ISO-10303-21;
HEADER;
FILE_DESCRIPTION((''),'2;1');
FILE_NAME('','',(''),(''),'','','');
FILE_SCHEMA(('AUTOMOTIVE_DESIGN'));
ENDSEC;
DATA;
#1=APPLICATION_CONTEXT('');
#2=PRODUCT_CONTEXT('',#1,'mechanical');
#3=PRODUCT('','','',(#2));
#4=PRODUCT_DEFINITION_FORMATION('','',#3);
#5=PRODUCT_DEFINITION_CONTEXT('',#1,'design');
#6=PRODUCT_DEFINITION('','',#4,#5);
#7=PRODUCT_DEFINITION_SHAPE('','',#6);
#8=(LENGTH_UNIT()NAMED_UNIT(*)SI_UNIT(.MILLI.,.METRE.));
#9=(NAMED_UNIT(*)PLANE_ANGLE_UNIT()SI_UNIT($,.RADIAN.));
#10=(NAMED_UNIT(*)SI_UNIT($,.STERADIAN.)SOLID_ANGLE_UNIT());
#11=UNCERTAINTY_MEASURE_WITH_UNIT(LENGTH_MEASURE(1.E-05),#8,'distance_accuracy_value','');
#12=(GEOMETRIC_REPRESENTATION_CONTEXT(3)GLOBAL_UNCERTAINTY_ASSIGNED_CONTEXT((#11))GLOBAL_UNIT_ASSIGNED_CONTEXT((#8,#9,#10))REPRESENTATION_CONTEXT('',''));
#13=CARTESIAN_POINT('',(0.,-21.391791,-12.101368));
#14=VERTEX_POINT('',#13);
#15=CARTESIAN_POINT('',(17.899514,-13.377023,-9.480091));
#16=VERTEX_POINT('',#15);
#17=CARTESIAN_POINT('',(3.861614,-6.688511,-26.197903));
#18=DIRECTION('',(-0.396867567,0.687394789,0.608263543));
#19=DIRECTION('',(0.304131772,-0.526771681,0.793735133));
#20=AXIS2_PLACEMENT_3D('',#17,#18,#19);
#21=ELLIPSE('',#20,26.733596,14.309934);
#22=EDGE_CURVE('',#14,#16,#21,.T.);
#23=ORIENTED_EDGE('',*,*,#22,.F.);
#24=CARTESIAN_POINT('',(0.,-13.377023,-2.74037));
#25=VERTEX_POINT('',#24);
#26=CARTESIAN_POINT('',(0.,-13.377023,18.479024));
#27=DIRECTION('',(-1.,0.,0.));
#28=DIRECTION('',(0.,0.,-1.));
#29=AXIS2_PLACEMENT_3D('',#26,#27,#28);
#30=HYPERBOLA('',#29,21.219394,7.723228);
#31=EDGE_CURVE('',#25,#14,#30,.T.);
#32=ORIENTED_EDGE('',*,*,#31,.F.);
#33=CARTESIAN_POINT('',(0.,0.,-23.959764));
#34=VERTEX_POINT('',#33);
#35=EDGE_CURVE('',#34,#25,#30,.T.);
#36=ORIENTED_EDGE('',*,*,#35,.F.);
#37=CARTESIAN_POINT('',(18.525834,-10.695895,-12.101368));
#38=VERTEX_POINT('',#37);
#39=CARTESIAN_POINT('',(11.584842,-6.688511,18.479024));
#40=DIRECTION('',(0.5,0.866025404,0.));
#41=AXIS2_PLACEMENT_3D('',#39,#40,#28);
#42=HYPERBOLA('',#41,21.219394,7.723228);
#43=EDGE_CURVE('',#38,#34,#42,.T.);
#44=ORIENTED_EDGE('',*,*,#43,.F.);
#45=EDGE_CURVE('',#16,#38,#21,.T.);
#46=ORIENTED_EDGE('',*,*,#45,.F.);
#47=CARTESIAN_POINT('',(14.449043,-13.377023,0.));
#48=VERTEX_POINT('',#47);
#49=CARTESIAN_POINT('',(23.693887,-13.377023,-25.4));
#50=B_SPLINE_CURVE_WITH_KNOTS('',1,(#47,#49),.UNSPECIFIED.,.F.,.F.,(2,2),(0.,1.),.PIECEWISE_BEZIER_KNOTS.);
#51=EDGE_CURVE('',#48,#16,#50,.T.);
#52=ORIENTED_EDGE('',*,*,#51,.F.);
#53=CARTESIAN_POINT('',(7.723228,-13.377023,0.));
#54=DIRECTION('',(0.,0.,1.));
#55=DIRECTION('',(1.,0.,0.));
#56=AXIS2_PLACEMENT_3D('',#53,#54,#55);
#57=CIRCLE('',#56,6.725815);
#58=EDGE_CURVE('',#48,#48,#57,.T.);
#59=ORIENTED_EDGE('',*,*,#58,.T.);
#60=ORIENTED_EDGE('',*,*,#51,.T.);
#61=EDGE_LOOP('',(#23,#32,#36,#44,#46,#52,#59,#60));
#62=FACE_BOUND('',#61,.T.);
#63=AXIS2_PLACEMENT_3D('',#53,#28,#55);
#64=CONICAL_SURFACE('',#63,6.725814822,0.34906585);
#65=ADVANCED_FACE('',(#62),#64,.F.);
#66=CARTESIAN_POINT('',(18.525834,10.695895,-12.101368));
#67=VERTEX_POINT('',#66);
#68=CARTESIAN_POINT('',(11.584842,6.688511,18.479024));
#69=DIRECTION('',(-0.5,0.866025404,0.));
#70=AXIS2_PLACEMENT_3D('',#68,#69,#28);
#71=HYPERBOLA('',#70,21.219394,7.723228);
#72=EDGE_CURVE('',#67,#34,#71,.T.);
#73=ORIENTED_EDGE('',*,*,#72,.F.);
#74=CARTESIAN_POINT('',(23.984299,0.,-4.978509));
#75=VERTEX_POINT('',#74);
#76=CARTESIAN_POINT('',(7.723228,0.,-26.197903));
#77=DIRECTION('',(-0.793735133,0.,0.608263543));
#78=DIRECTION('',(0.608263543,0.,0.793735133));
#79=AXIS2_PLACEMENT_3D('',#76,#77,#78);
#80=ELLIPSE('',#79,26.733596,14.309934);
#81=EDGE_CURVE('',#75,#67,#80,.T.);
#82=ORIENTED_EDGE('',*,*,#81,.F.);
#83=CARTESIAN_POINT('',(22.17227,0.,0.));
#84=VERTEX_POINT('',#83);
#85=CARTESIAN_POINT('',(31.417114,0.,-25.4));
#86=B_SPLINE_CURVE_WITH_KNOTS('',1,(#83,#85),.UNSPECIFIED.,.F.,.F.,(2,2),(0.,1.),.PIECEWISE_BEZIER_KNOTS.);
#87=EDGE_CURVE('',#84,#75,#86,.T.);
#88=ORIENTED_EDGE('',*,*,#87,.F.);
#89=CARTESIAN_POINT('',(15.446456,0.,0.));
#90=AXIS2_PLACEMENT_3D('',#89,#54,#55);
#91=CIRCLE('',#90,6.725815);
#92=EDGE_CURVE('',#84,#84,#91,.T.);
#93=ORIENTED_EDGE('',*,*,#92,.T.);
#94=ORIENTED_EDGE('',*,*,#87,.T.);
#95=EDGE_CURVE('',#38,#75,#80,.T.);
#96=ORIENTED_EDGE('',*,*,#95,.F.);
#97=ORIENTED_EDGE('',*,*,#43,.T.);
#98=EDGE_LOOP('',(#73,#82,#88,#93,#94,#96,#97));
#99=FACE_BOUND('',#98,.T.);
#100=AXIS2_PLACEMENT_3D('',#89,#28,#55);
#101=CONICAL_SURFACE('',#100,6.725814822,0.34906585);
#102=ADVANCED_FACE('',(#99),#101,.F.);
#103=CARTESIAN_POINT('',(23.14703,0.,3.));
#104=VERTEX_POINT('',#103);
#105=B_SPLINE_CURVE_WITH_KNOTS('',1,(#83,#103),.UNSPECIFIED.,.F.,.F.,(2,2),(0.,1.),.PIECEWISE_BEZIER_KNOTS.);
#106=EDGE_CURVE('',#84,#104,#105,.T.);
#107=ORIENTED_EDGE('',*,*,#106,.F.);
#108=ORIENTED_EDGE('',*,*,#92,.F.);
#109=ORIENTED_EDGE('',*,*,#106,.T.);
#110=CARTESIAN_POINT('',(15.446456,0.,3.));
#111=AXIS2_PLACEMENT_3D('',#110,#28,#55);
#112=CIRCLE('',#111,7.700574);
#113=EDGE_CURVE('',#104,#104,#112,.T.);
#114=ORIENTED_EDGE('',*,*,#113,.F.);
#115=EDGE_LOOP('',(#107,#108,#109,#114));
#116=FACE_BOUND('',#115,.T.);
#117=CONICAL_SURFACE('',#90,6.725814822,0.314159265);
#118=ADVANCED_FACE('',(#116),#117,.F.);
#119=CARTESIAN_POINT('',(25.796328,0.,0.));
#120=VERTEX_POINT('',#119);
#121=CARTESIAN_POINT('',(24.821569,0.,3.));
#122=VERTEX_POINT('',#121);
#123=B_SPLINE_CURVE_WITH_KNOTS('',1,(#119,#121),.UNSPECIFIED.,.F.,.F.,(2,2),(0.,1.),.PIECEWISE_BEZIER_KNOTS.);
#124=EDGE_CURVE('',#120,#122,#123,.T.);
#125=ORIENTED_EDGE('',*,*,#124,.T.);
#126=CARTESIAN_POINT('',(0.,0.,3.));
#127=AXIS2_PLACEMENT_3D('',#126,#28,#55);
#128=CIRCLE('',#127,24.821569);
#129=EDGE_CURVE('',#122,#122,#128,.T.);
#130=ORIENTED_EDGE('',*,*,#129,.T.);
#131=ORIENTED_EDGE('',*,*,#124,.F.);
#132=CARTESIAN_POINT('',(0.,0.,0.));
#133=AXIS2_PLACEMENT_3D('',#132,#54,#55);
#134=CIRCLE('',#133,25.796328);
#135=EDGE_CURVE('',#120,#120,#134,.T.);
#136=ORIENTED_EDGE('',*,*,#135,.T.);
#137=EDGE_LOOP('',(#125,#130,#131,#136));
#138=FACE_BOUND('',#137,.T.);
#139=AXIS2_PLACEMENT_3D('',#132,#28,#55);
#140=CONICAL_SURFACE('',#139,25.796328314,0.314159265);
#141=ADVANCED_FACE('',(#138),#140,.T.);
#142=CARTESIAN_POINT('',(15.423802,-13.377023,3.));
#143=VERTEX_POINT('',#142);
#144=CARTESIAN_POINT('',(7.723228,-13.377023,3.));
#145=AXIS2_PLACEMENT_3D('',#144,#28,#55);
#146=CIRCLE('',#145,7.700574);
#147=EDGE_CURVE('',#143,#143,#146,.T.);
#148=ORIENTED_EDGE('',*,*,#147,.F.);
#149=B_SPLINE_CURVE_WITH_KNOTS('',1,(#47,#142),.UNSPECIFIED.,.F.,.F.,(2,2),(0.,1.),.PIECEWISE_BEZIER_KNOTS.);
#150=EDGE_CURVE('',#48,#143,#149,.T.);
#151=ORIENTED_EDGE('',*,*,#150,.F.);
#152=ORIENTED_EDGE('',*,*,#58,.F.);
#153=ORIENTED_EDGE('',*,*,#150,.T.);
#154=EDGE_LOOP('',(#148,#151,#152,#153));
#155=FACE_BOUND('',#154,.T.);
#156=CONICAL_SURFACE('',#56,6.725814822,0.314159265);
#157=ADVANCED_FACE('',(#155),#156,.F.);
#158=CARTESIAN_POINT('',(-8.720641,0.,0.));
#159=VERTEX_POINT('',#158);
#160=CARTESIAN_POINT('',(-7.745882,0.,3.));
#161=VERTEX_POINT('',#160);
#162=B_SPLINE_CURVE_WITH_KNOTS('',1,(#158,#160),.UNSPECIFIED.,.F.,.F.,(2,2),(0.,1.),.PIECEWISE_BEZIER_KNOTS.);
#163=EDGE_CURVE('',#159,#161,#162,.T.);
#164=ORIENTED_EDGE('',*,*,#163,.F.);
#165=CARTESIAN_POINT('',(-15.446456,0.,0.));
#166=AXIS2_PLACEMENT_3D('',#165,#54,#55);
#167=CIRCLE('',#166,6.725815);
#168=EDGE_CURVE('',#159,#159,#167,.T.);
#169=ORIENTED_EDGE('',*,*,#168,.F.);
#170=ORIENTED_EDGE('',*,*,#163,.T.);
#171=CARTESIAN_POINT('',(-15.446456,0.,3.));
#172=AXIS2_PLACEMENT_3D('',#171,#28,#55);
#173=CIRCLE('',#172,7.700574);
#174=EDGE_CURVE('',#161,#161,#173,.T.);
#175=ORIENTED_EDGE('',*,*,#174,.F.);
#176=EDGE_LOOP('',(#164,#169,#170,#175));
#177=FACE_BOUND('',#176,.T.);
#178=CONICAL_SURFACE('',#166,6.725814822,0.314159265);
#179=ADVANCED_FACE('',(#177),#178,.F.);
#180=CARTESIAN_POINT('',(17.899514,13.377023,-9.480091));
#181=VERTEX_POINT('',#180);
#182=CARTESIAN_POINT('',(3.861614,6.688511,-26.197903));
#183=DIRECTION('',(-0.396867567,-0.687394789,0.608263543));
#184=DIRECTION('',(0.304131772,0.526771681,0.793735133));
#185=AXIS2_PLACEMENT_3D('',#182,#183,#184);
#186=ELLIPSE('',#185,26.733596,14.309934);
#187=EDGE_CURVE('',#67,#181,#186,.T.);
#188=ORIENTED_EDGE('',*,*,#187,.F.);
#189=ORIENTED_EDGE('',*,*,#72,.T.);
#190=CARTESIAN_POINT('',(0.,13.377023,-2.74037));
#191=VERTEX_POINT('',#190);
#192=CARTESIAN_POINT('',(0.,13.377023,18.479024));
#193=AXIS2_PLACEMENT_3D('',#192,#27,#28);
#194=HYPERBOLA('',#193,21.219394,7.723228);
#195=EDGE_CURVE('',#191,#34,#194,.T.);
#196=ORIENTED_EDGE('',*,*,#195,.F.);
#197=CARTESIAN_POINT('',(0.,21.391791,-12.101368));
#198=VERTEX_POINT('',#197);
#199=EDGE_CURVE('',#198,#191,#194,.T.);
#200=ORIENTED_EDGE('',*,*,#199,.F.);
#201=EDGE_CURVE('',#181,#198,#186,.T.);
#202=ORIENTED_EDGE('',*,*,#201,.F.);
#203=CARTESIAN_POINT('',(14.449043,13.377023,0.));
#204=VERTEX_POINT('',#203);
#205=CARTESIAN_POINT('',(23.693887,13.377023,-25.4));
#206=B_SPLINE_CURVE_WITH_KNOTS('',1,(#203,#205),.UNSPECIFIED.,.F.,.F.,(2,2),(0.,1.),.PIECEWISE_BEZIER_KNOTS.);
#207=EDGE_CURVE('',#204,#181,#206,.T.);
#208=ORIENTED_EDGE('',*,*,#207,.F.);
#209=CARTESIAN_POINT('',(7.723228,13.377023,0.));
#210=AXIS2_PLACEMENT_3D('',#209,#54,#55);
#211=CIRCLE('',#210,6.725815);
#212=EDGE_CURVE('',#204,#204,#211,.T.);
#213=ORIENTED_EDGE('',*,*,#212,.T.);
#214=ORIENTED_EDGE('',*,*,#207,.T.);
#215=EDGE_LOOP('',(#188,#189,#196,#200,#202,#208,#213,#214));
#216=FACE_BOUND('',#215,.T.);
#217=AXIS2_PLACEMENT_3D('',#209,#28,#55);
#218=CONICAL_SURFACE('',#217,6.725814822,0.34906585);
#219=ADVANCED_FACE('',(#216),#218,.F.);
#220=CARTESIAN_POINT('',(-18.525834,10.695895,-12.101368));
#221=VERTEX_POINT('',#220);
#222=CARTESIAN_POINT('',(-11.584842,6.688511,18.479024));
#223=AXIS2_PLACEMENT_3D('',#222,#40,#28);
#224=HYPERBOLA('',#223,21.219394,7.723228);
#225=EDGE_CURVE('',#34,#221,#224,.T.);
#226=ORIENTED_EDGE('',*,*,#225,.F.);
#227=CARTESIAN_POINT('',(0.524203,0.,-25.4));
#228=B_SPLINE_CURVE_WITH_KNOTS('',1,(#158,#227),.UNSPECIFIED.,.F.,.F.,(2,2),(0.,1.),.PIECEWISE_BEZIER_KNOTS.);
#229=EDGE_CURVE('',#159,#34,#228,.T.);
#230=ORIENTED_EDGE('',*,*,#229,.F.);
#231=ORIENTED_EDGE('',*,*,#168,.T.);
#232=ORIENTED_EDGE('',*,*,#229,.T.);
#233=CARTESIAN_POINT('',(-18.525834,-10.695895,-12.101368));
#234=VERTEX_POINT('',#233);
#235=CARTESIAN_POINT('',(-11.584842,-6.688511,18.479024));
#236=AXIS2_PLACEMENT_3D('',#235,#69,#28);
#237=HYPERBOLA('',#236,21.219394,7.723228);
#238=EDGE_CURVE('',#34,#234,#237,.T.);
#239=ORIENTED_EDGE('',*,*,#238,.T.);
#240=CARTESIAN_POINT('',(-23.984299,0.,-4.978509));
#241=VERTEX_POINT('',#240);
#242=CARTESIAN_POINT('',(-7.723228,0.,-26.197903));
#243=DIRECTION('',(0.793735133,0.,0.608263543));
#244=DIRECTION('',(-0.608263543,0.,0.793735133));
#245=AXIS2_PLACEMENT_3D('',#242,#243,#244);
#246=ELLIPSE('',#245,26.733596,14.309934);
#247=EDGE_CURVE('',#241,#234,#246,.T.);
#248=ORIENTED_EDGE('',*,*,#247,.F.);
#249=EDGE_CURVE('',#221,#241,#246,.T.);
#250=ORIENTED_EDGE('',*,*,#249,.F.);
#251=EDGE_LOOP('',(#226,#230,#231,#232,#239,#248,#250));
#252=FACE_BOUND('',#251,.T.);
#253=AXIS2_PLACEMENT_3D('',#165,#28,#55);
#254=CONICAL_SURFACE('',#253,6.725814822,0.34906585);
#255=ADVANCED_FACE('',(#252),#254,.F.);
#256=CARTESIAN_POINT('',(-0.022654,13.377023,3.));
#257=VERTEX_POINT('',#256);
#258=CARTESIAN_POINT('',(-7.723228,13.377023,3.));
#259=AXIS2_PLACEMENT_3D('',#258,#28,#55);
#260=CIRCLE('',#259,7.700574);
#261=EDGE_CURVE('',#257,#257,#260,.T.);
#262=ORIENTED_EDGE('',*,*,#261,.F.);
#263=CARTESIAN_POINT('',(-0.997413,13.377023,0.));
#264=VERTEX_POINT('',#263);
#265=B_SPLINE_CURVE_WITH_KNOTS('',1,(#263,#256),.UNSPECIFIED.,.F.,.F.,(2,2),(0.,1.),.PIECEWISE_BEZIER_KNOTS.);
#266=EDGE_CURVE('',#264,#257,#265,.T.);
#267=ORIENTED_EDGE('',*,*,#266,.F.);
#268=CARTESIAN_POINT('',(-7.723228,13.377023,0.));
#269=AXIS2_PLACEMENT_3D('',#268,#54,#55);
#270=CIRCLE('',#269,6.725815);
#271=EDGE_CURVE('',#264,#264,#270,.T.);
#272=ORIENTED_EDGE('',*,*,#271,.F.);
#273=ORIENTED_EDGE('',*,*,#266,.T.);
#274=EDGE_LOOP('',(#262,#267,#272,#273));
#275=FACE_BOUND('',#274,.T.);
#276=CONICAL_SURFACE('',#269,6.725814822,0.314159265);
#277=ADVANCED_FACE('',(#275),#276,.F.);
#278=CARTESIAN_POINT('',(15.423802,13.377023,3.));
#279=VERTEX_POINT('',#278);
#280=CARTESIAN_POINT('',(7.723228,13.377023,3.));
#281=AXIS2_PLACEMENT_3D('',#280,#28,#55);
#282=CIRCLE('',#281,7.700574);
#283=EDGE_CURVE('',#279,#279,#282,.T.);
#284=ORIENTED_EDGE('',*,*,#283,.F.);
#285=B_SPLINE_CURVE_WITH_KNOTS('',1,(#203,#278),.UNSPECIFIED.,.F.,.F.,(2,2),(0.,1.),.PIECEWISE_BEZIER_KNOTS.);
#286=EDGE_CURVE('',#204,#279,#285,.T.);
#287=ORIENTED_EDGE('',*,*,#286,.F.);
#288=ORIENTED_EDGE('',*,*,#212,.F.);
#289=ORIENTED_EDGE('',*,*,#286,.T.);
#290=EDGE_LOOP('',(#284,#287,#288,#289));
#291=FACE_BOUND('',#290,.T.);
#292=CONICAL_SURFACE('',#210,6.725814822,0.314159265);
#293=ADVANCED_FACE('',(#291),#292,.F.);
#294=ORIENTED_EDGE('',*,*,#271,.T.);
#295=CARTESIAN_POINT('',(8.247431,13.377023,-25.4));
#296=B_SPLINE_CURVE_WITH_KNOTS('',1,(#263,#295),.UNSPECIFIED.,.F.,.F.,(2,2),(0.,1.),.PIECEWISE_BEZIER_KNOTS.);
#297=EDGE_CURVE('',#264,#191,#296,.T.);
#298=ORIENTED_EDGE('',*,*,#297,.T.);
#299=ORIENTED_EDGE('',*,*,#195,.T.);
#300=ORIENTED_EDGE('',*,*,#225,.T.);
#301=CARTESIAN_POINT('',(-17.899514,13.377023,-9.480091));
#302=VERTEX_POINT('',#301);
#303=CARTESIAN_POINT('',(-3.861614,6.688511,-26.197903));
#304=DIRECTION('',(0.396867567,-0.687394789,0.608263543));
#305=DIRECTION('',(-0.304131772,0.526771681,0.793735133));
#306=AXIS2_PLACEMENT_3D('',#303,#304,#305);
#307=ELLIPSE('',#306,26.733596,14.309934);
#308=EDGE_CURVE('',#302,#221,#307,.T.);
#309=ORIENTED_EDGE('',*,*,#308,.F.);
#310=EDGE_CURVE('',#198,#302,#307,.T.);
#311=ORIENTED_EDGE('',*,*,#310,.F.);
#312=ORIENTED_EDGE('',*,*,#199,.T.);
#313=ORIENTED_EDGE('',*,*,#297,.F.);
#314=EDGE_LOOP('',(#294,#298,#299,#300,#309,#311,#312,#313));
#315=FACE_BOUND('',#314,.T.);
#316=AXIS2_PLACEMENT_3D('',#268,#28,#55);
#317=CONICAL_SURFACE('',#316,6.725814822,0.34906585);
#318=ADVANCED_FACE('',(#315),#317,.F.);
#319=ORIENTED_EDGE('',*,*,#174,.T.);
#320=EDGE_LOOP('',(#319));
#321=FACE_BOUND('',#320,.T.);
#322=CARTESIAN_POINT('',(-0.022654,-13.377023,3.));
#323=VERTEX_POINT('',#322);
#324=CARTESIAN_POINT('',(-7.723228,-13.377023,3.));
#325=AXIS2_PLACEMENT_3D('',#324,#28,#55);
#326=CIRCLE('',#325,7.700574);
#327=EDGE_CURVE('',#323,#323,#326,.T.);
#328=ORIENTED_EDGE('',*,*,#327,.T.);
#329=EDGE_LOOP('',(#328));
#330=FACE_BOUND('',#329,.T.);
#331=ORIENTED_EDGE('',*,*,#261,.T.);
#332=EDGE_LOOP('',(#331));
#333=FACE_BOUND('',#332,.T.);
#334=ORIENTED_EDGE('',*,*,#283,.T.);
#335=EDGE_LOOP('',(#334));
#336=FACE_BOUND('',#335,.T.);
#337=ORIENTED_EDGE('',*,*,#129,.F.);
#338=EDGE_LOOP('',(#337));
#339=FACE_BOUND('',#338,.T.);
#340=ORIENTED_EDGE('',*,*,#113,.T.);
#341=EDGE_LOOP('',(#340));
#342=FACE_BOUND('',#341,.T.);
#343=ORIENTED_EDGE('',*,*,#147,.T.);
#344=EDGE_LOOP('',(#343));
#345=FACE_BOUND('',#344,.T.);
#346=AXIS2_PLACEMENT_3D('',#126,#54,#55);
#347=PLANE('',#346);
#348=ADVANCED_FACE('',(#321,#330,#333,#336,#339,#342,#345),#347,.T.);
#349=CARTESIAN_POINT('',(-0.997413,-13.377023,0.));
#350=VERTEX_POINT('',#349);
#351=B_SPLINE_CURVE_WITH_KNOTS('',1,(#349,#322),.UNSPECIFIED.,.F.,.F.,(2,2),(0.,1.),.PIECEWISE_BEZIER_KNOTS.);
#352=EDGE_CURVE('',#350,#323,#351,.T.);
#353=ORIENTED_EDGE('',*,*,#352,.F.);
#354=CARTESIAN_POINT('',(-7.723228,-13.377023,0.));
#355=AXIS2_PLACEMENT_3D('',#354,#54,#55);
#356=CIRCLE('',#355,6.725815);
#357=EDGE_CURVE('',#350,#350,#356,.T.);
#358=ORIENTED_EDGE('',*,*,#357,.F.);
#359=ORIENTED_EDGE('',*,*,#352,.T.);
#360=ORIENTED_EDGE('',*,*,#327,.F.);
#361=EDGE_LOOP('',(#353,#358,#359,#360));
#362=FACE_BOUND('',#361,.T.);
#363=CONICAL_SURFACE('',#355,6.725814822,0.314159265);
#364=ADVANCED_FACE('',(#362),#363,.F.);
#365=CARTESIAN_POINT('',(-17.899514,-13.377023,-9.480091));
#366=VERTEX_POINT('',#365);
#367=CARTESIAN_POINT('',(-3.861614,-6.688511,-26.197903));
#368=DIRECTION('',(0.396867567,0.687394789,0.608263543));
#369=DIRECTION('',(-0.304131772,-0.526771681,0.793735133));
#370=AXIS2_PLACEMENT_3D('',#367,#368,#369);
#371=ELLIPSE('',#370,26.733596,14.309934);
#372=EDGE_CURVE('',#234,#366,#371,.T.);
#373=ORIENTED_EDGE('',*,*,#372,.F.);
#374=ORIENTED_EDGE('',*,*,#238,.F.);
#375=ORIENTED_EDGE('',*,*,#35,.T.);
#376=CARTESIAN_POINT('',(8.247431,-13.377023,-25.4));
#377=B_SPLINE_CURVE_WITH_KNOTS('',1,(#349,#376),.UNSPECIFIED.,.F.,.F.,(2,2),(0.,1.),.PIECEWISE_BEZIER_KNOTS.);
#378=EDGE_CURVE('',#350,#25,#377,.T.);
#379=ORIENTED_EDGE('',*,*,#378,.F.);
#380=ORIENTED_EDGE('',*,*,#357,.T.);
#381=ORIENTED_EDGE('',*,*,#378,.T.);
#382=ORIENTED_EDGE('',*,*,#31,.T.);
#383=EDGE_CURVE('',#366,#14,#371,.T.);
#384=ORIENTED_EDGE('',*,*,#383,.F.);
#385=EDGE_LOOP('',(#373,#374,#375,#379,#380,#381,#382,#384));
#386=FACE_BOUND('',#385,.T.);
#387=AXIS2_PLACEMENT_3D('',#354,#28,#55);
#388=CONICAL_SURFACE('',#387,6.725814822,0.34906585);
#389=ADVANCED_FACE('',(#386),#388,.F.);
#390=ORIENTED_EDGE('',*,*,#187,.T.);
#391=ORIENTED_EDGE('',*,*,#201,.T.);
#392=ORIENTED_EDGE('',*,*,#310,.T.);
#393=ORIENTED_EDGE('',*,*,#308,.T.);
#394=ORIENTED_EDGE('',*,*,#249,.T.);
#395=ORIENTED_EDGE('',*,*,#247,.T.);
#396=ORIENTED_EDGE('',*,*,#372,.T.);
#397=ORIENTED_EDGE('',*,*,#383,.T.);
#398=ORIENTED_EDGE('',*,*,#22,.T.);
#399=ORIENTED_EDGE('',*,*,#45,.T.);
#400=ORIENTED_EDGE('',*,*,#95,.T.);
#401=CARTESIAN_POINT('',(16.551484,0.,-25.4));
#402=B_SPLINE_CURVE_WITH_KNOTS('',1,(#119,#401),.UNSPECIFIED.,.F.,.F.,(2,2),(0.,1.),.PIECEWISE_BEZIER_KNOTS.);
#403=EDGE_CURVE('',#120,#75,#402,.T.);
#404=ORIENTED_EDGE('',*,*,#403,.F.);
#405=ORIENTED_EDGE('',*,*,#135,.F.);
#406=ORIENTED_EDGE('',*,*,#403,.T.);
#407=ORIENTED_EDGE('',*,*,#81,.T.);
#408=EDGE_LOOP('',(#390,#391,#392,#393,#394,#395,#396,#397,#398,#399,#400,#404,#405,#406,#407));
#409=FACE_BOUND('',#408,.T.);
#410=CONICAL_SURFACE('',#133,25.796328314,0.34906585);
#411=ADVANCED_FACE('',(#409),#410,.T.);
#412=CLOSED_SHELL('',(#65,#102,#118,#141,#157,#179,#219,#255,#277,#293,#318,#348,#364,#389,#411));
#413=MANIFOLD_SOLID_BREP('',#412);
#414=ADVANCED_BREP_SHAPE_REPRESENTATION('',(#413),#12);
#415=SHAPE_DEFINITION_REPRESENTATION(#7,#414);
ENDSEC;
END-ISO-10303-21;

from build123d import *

# Parameters (mm, degrees)
F0_R        = 25.7963283139
F0_R_2      = 6.7258148215
F1_DEPTH    = 3
F1_TAPER    = 18
F1_FACE_R   = 25.7963283139
F1_FACE_R_2 = 6.7258148215
F2_DEPTH    = 25.4
F2_TAPER    = 20


with BuildPart() as f1:
    # F0 (on Top) → F1 (new body)
    with BuildSketch(Plane.XY):
        Circle(F0_R)
        with Locations((-7.7232278205, -13.3770229835)):
            Circle(F0_R_2, mode=Mode.SUBTRACT)
        with Locations((7.7232278205, -13.3770229835)):
            Circle(F0_R_2, mode=Mode.SUBTRACT)
        with Locations((-15.4464556409, 0)):
            Circle(F0_R_2, mode=Mode.SUBTRACT)
        with Locations((-7.7232278205, 13.3770229835)):
            Circle(F0_R_2, mode=Mode.SUBTRACT)
        with Locations((15.4464556409, 0)):
            Circle(F0_R_2, mode=Mode.SUBTRACT)
        with Locations((7.7232278205, 13.3770229835)):
            Circle(F0_R_2, mode=Mode.SUBTRACT)
    extrude(amount=F1_DEPTH, taper=F1_TAPER)

    # F1_face (on face) → F2 (join)
    with BuildSketch(Plane(origin=(0, 0, 0), x_dir=(1, 0, 0), z_dir=(0, 0, -1))):
        Circle(F1_FACE_R)
        with Locations((-7.7232278205, 13.3770229835)):
            Circle(F1_FACE_R_2, mode=Mode.SUBTRACT)
        with Locations((7.7232278205, 13.3770229835)):
            Circle(F1_FACE_R_2, mode=Mode.SUBTRACT)
        with Locations((-15.4464556409, 0)):
            Circle(F1_FACE_R_2, mode=Mode.SUBTRACT)
        with Locations((-7.7232278205, -13.3770229835)):
            Circle(F1_FACE_R_2, mode=Mode.SUBTRACT)
        with Locations((15.4464556409, 0)):
            Circle(F1_FACE_R_2, mode=Mode.SUBTRACT)
        with Locations((7.7232278205, -13.3770229835)):
            Circle(F1_FACE_R_2, mode=Mode.SUBTRACT)
    extrude(amount=F2_DEPTH, taper=F2_TAPER)


solid = f1.part
